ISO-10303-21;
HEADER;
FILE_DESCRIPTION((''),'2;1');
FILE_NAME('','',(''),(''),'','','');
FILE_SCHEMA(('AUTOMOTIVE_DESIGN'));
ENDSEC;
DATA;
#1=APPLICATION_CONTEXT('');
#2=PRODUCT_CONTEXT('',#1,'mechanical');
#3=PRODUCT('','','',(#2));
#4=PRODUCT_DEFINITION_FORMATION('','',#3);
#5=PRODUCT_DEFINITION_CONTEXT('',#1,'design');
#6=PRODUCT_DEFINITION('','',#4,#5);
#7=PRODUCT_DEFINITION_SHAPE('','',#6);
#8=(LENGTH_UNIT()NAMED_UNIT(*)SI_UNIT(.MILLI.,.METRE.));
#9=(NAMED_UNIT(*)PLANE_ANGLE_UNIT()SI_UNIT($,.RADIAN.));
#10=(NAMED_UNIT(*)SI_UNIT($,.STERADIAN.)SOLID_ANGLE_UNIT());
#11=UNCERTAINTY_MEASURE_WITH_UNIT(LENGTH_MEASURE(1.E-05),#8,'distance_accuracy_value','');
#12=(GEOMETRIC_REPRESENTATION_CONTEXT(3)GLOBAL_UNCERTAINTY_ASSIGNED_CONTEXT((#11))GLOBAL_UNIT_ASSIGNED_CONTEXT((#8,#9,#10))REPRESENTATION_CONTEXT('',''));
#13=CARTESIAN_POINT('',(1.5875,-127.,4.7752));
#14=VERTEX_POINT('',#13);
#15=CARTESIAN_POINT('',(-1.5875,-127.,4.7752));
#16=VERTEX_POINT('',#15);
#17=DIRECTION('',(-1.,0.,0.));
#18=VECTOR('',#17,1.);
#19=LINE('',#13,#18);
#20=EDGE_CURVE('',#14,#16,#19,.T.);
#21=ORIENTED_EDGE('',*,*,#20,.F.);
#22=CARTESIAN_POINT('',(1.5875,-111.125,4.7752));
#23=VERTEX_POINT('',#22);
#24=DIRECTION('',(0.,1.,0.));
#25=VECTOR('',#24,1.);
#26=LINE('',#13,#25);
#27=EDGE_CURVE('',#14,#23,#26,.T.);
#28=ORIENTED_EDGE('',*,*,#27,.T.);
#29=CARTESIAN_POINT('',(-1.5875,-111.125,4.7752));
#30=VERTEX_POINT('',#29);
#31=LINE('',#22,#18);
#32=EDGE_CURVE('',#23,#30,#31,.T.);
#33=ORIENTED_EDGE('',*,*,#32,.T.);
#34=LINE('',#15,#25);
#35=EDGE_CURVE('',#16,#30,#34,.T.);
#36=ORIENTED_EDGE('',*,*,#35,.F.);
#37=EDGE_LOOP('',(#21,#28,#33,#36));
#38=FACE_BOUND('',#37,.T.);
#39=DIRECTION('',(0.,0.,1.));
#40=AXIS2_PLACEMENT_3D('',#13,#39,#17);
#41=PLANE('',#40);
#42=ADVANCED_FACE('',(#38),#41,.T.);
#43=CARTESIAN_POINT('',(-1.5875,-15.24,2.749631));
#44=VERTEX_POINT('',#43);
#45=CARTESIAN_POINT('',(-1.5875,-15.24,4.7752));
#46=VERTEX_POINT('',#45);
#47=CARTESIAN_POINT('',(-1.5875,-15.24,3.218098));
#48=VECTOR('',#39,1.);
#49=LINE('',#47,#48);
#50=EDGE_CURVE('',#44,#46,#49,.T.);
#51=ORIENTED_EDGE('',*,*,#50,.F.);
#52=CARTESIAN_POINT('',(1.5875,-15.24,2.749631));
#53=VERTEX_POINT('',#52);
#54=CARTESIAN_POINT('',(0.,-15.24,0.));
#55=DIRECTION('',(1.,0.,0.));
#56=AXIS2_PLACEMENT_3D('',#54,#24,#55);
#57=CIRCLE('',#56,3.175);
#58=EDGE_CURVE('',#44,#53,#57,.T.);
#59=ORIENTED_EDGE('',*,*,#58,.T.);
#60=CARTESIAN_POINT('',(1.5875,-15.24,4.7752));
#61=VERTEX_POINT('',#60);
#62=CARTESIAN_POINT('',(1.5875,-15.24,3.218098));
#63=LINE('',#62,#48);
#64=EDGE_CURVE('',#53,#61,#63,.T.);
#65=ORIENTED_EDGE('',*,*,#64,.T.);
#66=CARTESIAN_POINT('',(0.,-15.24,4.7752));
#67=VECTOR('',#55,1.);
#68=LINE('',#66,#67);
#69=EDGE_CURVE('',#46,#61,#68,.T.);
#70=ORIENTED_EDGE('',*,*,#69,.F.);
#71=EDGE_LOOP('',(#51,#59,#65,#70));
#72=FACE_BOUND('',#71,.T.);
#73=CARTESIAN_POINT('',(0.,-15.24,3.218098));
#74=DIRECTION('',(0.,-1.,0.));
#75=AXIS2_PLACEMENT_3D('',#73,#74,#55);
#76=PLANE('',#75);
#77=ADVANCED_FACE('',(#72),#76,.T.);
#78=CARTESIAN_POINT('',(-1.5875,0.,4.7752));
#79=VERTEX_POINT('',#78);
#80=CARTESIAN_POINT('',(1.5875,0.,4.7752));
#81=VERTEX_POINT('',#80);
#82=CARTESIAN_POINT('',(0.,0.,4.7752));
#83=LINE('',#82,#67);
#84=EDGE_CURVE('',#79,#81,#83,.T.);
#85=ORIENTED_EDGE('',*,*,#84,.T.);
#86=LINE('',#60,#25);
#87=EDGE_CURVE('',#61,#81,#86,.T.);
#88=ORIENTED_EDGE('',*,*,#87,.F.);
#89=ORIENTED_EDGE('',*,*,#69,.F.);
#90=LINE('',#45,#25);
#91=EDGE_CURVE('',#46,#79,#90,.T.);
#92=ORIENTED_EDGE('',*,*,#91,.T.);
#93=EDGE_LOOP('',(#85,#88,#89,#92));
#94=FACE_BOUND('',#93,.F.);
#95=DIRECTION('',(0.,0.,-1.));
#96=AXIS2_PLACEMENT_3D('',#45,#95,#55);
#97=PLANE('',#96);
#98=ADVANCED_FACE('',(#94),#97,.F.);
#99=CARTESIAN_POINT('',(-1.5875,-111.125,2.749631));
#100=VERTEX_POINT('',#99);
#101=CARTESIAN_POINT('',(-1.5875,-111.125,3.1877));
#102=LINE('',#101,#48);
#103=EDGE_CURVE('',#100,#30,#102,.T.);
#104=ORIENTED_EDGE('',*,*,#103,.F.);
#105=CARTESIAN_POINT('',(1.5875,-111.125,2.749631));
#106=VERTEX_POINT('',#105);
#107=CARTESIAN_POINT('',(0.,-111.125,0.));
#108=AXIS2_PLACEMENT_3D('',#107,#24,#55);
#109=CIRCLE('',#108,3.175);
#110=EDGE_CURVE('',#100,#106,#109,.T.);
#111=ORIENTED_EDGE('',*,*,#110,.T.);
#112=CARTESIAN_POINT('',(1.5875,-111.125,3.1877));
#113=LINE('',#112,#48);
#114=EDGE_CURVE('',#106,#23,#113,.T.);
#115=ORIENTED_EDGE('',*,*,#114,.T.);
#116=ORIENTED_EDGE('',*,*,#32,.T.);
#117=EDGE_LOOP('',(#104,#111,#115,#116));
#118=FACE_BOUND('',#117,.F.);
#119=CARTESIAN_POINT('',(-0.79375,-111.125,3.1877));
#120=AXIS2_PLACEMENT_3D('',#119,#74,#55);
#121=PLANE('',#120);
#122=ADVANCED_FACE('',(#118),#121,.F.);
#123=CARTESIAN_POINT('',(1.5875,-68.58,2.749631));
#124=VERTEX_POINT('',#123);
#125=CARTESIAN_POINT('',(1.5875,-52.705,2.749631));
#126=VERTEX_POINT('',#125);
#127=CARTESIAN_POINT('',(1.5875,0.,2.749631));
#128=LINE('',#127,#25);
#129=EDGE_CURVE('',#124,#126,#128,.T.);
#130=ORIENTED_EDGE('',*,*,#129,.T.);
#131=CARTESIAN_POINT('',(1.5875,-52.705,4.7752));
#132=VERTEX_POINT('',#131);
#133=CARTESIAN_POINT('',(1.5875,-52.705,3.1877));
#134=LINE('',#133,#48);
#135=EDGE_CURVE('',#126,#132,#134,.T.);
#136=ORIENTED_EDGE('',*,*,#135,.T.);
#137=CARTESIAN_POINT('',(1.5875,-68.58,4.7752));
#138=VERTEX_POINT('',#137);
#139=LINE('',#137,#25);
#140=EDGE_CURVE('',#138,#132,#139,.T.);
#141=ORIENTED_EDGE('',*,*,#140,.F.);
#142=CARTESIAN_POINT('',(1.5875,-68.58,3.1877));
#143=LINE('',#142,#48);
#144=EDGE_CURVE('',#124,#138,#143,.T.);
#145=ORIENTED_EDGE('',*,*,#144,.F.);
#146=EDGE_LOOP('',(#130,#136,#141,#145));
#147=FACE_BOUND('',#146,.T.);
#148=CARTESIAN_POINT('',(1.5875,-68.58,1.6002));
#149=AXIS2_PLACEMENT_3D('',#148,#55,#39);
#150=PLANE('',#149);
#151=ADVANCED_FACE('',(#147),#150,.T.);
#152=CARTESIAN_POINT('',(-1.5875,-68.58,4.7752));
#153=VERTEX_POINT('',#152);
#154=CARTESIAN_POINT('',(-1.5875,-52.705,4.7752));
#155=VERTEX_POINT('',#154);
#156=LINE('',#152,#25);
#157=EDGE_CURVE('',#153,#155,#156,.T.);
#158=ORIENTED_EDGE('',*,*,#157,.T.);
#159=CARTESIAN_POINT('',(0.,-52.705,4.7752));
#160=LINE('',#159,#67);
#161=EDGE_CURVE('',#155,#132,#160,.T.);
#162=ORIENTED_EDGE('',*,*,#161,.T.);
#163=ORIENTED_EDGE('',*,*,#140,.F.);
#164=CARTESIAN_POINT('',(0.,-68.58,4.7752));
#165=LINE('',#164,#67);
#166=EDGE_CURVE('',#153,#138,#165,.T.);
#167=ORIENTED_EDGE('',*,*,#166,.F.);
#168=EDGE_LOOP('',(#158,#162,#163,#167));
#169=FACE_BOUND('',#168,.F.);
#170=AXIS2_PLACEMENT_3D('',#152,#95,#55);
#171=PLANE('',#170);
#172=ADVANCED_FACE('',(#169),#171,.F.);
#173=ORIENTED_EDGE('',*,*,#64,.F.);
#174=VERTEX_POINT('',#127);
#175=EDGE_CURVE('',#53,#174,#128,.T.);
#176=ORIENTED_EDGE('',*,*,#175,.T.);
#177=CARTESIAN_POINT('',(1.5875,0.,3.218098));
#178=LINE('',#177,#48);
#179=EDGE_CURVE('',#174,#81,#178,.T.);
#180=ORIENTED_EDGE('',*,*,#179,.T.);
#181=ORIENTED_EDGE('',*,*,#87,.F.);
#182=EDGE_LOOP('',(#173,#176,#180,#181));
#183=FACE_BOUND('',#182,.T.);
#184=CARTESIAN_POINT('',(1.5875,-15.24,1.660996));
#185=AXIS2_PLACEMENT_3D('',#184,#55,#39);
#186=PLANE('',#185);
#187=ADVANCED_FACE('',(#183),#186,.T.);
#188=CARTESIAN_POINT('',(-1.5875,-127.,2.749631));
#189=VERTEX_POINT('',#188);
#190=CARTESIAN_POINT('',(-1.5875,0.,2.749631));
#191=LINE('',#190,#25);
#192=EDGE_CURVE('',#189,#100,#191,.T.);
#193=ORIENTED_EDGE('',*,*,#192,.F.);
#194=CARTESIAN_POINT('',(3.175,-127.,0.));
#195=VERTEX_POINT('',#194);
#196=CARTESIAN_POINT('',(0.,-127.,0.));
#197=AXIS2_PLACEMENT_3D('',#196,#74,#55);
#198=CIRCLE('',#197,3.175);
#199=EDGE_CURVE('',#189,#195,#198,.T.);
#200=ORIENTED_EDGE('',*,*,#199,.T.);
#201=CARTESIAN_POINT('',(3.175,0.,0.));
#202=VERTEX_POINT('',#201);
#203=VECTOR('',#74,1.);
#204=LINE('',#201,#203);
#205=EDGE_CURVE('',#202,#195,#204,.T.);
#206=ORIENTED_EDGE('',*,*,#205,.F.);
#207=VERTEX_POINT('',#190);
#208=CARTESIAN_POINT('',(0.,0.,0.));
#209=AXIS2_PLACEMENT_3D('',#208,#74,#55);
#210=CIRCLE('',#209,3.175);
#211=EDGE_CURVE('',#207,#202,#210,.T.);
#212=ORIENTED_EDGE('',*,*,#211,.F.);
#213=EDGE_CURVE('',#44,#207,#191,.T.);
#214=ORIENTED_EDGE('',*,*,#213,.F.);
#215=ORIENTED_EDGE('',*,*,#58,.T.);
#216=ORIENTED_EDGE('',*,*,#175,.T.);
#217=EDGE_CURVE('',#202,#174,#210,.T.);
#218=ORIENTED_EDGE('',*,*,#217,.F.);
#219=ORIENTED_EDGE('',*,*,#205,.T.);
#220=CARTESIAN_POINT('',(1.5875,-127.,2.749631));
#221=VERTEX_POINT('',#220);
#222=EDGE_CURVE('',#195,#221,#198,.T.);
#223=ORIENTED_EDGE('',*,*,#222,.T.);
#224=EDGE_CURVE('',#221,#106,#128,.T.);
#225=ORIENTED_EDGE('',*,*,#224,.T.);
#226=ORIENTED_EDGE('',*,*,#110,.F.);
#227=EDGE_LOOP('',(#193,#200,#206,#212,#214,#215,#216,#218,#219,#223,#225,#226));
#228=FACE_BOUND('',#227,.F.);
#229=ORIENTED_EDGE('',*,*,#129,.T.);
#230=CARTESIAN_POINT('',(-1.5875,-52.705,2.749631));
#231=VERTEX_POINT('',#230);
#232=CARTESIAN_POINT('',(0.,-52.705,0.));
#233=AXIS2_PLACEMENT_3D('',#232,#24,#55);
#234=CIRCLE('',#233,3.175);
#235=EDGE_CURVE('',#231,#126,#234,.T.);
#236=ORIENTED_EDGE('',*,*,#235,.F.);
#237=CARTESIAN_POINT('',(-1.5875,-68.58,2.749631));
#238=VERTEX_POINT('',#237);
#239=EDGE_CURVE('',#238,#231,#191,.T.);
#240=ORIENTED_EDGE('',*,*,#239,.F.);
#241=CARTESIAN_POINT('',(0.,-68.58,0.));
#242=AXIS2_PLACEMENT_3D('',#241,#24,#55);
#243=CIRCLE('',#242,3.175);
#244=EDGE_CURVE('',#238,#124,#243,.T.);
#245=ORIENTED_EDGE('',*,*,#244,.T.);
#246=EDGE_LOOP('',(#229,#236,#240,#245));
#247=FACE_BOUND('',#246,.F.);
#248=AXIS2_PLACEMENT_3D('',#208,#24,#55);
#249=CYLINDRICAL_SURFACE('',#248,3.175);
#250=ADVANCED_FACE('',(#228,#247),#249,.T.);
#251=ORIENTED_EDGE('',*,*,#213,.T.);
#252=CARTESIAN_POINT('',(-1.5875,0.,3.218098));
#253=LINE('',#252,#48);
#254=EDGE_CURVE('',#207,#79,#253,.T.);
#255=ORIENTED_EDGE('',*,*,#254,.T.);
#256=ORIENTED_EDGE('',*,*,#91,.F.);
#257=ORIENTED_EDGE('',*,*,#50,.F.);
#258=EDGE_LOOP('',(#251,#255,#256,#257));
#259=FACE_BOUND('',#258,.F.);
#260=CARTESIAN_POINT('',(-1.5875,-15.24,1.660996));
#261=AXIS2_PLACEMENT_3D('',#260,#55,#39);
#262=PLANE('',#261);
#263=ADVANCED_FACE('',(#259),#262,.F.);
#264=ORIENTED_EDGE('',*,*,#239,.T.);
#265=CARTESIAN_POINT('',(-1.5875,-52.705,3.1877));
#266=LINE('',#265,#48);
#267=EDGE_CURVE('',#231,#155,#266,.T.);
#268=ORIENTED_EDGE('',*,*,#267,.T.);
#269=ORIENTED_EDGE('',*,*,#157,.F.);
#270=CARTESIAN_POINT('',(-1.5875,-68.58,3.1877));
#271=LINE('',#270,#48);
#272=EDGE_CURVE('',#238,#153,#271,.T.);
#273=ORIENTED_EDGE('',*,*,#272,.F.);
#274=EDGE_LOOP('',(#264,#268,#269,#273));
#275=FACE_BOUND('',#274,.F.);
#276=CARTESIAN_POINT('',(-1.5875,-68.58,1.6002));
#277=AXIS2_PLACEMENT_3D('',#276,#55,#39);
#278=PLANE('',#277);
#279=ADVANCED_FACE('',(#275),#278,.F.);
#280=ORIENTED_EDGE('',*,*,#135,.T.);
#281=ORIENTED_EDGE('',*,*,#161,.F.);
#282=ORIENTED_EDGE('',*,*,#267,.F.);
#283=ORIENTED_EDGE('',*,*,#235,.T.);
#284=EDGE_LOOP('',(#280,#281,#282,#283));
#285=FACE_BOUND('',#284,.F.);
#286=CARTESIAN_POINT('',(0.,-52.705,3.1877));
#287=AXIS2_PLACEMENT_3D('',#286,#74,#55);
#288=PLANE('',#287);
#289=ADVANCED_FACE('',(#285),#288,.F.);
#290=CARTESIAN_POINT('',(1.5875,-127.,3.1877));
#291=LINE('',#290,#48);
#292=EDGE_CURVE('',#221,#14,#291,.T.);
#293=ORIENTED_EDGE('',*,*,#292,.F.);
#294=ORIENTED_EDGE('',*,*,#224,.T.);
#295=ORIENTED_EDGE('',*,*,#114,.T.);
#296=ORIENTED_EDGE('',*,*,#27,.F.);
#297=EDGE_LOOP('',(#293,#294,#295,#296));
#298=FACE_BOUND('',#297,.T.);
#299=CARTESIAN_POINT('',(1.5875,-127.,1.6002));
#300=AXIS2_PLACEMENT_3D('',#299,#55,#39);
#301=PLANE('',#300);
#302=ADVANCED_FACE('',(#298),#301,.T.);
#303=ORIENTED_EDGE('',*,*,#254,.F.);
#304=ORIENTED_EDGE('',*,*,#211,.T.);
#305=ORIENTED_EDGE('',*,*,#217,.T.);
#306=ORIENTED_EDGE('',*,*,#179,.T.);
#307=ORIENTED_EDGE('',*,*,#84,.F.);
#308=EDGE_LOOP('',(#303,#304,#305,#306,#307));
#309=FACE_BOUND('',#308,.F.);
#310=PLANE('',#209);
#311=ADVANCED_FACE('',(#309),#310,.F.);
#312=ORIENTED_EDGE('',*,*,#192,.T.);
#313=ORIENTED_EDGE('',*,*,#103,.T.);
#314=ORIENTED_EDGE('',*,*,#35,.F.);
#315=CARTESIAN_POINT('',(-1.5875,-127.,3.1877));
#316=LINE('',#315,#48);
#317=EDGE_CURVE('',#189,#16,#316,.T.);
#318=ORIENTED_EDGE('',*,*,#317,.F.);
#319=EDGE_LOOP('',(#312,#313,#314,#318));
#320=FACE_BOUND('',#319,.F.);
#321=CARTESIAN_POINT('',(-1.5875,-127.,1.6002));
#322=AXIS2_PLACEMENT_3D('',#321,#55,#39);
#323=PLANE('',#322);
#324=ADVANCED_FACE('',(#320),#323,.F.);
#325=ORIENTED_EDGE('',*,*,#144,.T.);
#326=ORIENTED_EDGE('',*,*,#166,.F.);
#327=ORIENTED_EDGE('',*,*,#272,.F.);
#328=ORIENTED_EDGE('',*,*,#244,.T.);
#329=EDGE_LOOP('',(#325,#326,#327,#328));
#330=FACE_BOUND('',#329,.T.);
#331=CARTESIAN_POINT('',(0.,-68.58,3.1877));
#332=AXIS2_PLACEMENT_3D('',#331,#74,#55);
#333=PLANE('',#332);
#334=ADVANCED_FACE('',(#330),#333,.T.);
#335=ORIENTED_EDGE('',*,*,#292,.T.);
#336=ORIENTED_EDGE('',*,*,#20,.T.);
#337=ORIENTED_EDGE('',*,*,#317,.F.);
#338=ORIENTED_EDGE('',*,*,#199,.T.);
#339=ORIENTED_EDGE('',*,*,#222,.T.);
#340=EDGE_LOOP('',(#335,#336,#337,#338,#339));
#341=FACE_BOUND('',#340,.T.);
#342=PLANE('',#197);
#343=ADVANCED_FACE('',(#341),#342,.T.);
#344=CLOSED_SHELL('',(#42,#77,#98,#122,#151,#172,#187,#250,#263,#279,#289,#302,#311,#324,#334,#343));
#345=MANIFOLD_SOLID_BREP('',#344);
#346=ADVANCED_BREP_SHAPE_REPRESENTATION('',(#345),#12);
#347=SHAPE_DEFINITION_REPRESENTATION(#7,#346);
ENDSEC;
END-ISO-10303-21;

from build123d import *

# Parameters (mm, degrees)
F0_R     = 3.175
F1_DEPTH = 127
F2_W     = 1.5875
F2_H     = 3.175
F3_DEPTH = 15.875
F5_W     = 3.175
F5_H     = 3.175
F6_DEPTH = 15.875
F8_W     = 3.175
F8_H     = 3.1142037669
F9_DEPTH = 15.24


with BuildPart() as f1:
    # F0 (on Front) → F1 (new body)
    with BuildSketch(Plane.XZ):
        Circle(F0_R)
    extrude(amount=F1_DEPTH)

    # F2 (on face) → F3 (join)
    with BuildSketch(Plane.XZ.offset(127)):
        with Locations((-0.79375, 3.1877)):
            Rectangle(F2_W, F2_H)
        with Locations((0.79375, 3.1877)):
            Rectangle(F2_W, F2_H)
    extrude(amount=-F3_DEPTH)

    # F5 (on offset) → F6 (join)
    with BuildSketch(Plane.XZ.offset(68.58)):
        with Locations((0, 3.1877)):
            Rectangle(F5_W, F5_H)
    extrude(amount=-F6_DEPTH)

    # F8 (on offset) → F9 (join)
    with BuildSketch(Plane.XZ.offset(15.24)):
        with Locations((0, 3.2180981166)):
            Rectangle(F8_W, F8_H)
    extrude(amount=-F9_DEPTH)


solid = f1.part
